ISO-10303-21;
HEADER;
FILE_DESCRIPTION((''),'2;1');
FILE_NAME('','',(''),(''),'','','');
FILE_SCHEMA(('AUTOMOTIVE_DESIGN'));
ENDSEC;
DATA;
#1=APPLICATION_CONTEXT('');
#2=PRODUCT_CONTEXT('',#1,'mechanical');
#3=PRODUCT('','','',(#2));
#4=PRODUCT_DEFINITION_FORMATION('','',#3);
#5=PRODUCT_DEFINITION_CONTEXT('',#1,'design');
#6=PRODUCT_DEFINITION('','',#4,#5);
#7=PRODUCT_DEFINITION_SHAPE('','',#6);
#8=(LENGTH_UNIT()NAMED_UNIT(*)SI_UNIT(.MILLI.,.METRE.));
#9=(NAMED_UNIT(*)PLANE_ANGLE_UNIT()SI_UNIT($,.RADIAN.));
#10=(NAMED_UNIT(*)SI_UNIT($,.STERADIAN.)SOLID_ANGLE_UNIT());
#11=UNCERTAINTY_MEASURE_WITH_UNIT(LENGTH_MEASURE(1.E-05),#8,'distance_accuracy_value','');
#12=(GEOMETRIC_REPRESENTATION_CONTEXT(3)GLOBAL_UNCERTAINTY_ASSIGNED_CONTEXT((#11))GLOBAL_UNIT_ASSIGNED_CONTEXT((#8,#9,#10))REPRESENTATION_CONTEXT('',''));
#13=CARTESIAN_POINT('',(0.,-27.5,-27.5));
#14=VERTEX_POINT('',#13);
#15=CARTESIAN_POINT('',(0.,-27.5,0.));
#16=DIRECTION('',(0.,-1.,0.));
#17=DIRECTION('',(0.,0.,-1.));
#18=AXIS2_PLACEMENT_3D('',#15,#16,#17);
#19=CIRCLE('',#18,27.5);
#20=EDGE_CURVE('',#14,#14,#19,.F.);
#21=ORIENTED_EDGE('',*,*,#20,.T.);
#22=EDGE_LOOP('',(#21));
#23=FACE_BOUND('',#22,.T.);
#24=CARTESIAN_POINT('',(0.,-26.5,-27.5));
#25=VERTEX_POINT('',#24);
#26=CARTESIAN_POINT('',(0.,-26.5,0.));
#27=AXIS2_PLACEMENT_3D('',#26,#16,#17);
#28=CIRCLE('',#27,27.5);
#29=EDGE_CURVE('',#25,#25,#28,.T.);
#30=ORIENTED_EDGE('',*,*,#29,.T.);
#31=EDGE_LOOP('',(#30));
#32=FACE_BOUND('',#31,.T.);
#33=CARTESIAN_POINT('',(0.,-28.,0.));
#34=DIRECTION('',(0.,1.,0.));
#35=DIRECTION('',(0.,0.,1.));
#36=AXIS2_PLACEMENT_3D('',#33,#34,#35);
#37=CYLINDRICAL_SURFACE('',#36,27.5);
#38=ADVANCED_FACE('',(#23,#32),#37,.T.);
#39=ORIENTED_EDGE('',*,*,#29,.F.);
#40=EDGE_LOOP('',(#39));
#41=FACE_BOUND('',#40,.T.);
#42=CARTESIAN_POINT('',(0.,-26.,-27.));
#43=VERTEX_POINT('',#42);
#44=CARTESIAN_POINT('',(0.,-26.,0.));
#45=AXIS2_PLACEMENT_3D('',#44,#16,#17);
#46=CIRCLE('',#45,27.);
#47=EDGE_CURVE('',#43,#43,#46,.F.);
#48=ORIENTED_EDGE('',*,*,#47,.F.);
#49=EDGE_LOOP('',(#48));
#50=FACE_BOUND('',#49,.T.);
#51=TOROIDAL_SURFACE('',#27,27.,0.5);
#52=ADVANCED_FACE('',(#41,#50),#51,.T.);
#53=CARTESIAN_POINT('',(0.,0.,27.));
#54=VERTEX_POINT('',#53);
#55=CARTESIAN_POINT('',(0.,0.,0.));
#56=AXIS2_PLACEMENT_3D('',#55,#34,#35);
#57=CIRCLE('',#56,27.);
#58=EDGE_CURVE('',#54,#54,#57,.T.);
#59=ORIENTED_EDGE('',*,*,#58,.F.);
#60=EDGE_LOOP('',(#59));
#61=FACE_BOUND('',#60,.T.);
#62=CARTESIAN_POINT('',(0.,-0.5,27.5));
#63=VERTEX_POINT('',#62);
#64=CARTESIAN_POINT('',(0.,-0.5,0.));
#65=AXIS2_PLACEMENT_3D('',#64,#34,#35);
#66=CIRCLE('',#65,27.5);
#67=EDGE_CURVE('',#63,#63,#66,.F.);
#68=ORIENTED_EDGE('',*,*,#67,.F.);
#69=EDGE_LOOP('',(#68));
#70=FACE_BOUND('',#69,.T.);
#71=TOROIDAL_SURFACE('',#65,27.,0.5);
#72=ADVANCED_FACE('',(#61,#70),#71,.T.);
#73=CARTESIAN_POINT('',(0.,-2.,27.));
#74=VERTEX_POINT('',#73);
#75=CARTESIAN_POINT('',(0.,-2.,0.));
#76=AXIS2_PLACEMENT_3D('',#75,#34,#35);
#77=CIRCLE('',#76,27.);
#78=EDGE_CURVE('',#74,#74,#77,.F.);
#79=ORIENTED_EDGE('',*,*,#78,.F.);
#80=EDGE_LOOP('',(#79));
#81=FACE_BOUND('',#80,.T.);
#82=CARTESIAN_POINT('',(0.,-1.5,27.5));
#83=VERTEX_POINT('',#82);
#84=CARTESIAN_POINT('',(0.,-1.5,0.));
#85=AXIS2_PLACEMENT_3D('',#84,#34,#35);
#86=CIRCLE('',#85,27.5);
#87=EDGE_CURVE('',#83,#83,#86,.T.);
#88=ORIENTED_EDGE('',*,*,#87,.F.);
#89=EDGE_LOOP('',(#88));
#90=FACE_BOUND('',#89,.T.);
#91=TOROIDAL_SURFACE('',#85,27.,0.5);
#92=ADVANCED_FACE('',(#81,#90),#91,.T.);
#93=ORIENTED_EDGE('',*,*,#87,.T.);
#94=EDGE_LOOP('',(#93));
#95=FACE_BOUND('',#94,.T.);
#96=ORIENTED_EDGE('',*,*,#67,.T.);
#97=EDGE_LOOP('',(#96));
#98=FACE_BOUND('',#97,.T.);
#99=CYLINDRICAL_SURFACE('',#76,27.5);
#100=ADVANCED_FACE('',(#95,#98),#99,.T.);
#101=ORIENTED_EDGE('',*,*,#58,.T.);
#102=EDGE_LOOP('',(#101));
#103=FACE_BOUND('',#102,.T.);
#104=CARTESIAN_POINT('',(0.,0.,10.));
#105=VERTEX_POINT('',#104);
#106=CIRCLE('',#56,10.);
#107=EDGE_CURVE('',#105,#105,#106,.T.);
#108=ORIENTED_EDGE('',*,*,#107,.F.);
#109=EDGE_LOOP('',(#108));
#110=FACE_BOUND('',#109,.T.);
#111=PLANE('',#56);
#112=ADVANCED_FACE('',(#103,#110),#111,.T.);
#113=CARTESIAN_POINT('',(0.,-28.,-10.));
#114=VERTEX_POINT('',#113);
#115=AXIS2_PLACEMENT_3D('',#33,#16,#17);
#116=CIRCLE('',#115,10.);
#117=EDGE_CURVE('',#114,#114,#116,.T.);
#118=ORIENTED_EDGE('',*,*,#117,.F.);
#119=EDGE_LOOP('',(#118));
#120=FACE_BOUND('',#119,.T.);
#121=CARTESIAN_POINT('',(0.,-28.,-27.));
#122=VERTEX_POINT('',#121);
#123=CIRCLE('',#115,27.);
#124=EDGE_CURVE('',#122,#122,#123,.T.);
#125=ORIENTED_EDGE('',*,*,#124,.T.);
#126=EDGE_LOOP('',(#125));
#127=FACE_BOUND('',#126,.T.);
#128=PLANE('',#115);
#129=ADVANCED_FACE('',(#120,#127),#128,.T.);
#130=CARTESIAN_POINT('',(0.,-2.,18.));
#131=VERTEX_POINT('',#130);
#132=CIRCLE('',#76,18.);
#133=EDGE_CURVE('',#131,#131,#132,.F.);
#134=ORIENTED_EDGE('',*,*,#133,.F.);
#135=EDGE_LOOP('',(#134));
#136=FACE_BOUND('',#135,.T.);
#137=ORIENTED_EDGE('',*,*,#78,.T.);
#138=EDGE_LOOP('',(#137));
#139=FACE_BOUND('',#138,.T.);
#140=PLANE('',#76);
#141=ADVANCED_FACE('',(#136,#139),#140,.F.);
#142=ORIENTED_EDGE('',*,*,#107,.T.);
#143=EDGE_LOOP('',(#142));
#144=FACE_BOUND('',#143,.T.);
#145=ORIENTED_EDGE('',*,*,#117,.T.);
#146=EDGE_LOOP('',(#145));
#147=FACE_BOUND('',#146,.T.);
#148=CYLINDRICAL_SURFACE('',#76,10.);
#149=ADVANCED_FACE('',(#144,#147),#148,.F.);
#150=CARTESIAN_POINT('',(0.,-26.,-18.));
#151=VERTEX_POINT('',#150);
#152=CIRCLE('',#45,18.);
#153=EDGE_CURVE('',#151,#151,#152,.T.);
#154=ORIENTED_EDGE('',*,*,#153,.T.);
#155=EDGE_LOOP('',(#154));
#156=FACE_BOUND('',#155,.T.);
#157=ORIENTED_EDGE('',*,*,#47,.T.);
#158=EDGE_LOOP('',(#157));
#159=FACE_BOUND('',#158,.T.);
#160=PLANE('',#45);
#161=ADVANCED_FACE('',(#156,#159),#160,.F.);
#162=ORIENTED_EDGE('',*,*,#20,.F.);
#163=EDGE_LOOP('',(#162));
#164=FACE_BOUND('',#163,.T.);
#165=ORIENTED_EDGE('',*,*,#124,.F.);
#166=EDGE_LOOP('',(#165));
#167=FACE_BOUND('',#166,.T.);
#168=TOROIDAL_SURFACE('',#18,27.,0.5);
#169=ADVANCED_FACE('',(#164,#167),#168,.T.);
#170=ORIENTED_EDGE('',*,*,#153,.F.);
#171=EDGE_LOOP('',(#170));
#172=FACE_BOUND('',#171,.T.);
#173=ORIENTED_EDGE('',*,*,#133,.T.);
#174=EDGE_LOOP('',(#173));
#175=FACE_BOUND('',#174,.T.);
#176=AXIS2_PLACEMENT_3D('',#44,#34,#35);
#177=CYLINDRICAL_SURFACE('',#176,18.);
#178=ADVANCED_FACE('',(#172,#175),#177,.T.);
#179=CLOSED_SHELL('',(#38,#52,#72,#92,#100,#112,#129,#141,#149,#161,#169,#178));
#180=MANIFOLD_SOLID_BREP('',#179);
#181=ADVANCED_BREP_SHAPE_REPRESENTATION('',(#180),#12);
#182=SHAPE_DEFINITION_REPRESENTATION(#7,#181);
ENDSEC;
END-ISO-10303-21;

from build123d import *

# Parameters (mm, degrees)
SKETCH_1_R      = 27.5
SKETCH_1_R_2    = 10
EXTRUDE_1_DEPTH = 2
SKETCH_2_R      = 18
SKETCH_2_R_2    = 10
EXTRUDE_2_DEPTH = 24
SKETCH_3_R      = 27.5
SKETCH_3_R_2    = 10
EXTRUDE_3_DEPTH = 2
FILLET_1_R      = 0.5


with BuildPart() as part:
    # 草图1 → 凸台-拉伸1 (new body)
    with BuildSketch(Plane(origin=(0, 0, 0), x_dir=(1, 0, 0), z_dir=(0, 1, 0))):
        with Locations(Location((0, 0, 0), (0, 0, 270))):
            Circle(SKETCH_1_R)
        with Locations(Location((0, 0, 0), (0, 0, 270))):
            Circle(SKETCH_1_R_2, mode=Mode.SUBTRACT)
    extrude(amount=-EXTRUDE_1_DEPTH)

    # 草图2 → 凸台-拉伸2 (add)
    with BuildSketch(Plane.XZ.offset(2)):
        with Locations(Location((0, 0, 0), (0, 0, 90))):
            Circle(SKETCH_2_R)
        with Locations(Location((0, 0, 0), (0, 0, 90))):
            Circle(SKETCH_2_R_2, mode=Mode.SUBTRACT)
    extrude(amount=EXTRUDE_2_DEPTH)

    # 草图3 → 凸台-拉伸3 (add)
    with BuildSketch(Plane.XZ.offset(26)):
        with Locations(Location((0, 0, 0), (0, 0, 90))):
            Circle(SKETCH_3_R)
        with Locations(Location((0, 0, 0), (0, 0, 90))):
            Circle(SKETCH_3_R_2, mode=Mode.SUBTRACT)
    extrude(amount=EXTRUDE_3_DEPTH)

    # 圆角1
    fillet_1_edges = [part.edges().sort_by_distance(p)[0] for p in [
        (0, -28, -27.5),
        (0, -26, -27.5),
        (0, 0, -27.5),
        (0, -2, -27.5),
    ]]
    fillet(fillet_1_edges, radius=FILLET_1_R)


solid = part.part
